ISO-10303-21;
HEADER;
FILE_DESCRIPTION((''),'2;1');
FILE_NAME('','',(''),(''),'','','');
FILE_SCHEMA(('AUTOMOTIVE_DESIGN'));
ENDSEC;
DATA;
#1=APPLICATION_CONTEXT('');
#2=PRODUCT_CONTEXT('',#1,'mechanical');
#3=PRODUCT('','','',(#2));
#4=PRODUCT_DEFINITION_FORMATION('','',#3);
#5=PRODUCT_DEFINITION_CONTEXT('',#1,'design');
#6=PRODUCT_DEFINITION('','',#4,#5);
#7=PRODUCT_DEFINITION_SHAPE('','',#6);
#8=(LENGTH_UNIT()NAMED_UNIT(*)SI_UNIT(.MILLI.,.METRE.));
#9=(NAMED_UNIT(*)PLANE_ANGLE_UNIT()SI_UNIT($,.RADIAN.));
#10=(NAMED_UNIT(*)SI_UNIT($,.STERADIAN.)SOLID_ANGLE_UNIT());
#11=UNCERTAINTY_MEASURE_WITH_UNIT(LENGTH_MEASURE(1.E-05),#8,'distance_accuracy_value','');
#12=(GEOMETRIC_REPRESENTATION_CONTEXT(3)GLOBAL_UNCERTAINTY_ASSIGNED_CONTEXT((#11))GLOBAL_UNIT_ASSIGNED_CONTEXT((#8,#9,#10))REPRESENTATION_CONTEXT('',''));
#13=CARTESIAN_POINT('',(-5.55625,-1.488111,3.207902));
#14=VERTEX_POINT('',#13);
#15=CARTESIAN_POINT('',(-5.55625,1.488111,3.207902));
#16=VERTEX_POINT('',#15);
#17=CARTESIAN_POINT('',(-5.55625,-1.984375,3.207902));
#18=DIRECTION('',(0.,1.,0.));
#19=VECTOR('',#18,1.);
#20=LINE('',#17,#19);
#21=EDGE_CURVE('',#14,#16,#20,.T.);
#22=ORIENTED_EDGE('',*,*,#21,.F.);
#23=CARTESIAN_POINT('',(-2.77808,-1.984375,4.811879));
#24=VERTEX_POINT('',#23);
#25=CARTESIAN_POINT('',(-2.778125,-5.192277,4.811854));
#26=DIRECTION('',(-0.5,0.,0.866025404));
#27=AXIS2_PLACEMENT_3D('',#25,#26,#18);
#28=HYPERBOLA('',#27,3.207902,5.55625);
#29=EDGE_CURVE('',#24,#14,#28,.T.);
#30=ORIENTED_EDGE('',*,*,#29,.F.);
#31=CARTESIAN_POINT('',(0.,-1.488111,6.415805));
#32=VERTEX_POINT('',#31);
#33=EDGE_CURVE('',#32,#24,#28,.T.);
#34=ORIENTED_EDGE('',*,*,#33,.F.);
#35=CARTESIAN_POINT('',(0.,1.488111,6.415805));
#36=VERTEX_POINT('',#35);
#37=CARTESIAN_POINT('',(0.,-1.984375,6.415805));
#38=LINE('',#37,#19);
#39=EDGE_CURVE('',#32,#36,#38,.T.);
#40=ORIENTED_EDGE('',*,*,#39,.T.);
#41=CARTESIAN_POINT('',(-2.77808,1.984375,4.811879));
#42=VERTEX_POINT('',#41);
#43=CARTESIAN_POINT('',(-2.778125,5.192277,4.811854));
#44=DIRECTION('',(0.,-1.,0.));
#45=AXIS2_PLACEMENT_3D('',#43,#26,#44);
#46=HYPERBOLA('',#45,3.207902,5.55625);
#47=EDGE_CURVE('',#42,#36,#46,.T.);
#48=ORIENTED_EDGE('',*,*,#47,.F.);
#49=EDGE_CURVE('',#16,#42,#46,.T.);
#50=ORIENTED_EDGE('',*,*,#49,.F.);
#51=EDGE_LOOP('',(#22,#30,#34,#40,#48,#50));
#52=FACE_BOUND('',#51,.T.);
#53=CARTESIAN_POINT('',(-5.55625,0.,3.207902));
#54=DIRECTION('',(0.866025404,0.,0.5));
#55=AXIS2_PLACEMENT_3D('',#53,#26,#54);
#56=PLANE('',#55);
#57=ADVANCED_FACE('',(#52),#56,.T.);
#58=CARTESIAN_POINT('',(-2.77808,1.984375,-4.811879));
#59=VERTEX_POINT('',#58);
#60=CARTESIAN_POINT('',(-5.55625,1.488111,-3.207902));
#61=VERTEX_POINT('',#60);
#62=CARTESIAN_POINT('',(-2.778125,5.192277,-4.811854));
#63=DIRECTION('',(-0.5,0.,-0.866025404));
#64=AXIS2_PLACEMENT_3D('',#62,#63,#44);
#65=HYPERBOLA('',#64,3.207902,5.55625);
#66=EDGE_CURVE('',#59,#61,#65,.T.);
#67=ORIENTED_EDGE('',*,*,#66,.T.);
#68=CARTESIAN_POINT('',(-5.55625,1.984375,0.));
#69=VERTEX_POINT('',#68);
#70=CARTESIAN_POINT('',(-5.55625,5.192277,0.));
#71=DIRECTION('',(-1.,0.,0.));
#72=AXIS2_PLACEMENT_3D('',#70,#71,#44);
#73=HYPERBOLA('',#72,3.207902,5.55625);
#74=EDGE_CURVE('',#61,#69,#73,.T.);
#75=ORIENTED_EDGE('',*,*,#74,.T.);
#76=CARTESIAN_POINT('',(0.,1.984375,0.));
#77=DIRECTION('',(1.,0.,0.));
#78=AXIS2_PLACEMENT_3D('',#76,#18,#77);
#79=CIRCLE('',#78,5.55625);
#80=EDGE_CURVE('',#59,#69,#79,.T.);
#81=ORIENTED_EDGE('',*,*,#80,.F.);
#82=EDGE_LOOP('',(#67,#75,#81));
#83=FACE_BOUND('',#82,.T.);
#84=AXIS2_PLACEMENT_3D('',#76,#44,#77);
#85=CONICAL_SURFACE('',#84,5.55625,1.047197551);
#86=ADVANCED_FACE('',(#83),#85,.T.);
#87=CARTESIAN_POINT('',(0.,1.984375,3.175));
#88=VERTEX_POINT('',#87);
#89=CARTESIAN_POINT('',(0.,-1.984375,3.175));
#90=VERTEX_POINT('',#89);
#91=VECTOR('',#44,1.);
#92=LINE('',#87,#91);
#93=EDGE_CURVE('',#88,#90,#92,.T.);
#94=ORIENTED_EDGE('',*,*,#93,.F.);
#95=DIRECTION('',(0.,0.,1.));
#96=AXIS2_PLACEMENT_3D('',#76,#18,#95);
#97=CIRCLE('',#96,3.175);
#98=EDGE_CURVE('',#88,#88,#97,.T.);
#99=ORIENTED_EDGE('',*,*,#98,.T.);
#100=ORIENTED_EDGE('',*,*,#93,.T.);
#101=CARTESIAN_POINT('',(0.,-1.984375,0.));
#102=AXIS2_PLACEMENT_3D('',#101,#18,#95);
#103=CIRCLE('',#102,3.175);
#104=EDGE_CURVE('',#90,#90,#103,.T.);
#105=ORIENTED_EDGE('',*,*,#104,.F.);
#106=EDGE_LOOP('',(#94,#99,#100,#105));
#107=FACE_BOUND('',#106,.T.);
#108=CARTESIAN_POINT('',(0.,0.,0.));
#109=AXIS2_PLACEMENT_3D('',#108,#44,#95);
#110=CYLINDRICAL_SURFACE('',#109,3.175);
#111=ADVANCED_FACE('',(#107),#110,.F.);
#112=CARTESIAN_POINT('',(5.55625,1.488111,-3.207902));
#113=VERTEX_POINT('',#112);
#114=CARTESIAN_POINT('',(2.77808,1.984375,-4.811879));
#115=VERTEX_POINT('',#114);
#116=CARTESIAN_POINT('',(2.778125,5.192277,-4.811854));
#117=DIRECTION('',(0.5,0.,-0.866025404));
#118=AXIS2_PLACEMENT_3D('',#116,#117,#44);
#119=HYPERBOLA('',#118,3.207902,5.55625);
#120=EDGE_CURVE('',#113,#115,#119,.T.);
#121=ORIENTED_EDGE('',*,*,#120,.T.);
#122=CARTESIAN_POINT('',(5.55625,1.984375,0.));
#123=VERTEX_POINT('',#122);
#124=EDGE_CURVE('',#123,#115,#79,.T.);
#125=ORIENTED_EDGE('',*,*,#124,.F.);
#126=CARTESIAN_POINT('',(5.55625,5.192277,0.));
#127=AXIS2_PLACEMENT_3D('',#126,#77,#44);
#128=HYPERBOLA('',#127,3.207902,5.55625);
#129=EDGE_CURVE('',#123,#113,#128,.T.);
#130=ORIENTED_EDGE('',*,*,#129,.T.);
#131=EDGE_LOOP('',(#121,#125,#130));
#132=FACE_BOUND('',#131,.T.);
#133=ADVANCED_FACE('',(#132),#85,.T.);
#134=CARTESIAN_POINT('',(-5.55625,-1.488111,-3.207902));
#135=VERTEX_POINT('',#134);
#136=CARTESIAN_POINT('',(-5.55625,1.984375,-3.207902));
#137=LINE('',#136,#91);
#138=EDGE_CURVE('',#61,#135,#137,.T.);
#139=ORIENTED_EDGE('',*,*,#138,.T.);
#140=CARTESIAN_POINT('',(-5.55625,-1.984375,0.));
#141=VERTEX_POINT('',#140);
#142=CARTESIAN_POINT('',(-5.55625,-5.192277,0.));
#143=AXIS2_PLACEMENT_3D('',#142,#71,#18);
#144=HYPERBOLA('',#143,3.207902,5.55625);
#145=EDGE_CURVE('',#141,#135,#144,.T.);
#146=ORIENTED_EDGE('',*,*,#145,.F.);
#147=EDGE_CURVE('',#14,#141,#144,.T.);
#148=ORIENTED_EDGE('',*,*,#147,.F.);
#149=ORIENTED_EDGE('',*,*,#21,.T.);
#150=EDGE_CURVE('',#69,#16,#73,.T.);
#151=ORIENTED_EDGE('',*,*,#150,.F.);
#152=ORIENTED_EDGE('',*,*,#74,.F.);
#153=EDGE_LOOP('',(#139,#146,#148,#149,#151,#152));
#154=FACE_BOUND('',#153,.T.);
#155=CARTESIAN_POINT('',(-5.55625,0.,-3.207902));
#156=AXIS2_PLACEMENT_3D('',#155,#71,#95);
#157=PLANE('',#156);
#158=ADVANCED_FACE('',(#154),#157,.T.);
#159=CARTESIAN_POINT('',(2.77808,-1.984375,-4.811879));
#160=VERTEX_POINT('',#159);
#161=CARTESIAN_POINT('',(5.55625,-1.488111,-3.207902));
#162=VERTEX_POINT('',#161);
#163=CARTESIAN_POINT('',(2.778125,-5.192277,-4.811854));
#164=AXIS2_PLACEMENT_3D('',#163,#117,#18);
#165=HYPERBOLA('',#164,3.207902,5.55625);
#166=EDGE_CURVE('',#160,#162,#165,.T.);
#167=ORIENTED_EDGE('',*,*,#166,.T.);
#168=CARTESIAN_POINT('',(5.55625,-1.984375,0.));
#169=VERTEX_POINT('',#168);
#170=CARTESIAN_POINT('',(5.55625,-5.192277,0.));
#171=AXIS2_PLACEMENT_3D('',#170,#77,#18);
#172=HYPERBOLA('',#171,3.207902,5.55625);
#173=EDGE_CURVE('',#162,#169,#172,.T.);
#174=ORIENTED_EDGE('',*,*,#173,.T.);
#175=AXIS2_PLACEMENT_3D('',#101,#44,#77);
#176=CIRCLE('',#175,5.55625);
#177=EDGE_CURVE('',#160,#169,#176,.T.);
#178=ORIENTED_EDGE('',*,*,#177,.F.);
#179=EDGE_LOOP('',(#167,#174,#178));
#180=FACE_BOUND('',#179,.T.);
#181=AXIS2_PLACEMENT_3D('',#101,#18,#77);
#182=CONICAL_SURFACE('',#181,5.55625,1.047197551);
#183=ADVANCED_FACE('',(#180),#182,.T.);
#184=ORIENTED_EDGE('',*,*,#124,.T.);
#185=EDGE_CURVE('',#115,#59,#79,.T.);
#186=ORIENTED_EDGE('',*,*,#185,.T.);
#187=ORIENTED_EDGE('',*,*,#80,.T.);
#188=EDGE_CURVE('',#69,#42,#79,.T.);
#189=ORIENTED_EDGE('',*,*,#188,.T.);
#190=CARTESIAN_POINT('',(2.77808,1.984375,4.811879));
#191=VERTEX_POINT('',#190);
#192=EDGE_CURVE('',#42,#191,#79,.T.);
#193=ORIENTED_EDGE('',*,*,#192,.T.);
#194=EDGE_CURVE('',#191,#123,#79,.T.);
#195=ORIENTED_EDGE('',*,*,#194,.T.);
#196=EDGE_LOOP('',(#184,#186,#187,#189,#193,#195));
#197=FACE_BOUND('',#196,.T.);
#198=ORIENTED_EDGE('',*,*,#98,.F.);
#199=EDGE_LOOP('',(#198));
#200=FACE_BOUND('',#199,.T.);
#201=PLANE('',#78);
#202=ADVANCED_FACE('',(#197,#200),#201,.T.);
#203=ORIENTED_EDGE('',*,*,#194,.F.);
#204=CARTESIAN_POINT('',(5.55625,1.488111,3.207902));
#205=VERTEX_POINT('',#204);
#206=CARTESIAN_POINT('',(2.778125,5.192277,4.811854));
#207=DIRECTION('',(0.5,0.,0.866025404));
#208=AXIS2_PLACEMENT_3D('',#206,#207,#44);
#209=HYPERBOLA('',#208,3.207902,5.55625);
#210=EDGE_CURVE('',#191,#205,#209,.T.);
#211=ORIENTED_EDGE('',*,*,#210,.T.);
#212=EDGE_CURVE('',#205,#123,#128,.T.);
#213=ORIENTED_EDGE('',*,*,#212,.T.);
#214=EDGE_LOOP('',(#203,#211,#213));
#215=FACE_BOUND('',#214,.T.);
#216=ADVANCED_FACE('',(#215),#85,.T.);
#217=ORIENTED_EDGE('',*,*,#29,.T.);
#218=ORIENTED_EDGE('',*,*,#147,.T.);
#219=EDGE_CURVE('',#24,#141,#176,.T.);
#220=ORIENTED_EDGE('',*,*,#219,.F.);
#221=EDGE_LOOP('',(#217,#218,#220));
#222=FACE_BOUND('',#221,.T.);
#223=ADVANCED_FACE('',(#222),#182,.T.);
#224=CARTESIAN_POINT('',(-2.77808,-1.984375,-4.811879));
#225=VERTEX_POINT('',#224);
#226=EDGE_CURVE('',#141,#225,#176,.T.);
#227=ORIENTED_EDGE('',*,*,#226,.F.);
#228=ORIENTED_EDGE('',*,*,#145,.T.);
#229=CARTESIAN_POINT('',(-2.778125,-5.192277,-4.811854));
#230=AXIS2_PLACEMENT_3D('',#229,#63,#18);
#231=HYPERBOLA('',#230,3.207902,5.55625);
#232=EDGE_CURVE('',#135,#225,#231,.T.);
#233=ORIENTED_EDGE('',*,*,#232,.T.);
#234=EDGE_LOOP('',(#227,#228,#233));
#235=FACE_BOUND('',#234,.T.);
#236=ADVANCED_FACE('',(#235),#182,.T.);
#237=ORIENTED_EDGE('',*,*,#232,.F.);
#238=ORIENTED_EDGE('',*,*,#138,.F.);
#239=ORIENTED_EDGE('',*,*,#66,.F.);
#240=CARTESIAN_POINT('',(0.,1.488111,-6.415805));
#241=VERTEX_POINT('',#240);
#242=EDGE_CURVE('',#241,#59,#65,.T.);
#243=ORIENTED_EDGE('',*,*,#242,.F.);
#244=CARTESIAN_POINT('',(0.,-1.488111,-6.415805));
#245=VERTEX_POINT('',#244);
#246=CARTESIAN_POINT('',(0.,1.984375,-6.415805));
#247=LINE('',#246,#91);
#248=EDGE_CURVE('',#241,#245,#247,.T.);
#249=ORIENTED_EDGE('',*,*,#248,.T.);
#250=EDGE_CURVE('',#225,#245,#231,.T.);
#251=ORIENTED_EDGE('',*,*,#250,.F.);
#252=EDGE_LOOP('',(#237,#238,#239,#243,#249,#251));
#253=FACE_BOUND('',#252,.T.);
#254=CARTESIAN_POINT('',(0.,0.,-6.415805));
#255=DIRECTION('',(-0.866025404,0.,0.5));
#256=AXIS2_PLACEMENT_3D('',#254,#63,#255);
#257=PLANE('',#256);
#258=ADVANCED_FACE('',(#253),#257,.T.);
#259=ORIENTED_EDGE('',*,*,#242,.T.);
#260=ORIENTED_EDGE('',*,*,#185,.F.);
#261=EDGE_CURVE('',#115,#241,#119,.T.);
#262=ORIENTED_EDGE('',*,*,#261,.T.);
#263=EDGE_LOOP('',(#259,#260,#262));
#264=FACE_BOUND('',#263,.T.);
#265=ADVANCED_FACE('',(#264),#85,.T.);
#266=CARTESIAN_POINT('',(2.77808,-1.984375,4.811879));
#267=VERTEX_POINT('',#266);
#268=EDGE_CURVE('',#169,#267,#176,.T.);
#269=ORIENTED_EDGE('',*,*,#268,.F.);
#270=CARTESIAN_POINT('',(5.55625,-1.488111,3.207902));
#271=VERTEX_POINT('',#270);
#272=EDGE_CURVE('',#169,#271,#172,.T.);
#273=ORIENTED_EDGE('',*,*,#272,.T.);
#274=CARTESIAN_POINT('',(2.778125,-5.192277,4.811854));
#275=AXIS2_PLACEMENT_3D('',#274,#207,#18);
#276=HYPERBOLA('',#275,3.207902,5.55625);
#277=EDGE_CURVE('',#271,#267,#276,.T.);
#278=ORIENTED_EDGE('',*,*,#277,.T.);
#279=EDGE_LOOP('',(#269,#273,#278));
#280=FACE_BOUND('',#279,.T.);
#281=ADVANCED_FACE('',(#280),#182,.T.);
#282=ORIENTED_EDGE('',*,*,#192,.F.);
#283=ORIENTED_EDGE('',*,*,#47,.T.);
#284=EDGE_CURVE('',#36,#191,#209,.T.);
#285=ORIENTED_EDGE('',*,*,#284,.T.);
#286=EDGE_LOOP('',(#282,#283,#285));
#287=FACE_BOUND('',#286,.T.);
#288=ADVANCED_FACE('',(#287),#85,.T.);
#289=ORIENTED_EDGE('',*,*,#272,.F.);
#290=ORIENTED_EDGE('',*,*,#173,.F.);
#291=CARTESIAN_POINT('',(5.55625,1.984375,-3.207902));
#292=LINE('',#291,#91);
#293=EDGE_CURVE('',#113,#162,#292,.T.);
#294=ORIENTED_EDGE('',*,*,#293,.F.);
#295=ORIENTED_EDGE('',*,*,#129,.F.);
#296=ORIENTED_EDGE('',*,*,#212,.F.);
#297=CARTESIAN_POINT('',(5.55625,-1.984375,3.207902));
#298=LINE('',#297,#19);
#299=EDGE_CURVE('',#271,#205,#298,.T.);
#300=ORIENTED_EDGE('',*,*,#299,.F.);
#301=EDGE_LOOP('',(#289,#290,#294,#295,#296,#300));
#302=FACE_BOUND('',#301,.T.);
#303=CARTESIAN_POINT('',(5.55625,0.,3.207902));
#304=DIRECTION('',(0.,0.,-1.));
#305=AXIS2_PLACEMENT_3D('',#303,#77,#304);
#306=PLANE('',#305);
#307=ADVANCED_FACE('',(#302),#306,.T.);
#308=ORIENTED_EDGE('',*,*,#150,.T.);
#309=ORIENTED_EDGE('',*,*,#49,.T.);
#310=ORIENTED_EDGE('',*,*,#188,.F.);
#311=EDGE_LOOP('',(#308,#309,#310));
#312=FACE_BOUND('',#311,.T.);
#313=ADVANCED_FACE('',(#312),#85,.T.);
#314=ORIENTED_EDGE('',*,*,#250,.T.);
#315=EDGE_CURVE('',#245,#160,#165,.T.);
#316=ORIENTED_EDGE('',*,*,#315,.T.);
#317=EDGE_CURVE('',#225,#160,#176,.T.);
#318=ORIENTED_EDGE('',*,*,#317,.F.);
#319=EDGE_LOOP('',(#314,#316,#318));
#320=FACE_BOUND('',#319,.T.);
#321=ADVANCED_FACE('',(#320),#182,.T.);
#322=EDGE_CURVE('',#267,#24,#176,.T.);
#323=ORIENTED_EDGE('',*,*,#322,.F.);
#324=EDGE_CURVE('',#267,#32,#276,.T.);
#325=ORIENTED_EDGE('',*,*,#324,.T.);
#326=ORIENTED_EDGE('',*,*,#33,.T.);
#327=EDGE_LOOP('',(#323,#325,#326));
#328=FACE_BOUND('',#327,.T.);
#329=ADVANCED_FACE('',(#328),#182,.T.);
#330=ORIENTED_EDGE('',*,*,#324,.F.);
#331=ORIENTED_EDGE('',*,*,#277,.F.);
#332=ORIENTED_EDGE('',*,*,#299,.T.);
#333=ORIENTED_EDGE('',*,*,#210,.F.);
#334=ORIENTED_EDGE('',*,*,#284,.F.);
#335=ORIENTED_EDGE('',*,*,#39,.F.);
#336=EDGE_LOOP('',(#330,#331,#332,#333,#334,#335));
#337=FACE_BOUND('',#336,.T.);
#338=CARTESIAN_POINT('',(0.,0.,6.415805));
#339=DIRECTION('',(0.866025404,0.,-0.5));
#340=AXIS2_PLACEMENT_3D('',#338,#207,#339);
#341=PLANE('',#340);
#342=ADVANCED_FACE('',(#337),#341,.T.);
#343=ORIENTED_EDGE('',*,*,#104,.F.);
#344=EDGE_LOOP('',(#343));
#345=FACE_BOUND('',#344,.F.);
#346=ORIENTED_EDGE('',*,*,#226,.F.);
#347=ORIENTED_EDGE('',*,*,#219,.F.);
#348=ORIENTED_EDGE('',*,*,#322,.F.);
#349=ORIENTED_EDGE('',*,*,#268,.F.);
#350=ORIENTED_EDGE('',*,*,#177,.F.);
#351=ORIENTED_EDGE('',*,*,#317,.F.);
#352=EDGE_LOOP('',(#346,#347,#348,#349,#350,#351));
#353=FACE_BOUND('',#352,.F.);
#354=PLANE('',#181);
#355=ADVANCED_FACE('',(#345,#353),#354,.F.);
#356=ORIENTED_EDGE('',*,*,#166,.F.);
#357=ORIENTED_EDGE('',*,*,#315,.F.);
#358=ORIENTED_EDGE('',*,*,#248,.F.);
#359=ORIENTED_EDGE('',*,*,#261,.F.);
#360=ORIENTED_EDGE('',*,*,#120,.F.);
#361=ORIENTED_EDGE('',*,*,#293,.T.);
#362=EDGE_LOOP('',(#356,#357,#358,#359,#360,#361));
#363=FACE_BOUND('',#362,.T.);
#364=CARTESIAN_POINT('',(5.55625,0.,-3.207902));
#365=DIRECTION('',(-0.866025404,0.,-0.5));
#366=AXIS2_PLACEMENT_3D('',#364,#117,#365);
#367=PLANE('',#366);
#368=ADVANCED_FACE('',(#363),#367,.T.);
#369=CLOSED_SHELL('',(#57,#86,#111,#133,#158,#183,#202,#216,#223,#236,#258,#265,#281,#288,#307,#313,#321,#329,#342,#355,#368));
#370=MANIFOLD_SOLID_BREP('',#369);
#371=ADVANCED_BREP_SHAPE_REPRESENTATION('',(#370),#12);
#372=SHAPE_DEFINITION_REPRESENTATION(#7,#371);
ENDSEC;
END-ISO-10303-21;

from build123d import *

# Parameters (mm, degrees)
SKETCH1_R               = 3.175
BOSS_EXTRUDE1_DEPTH     = 1.984375
SKETCH5_OUTSIDE_W       = 52.52
SKETCH5_OUTSIDE_H       = 54.24
SKETCH5_OUTSIDE_R       = 5.55625
CUT_EXTRUDE2_DEPTH      = 10.369388598
CUT_EXTRUDE2_DRAFT      = -60
MIRROR1_COPY_1_SKETCH_W = 52.52
MIRROR1_COPY_1_SKETCH_H = 54.24
MIRROR1_COPY_1_SKETCH_R = 5.55625
MIRROR1_COPY_1_DEPTH    = 10.369388598
MIRROR1_COPY_1_DRAFT    = -60


with BuildPart() as part:
    # Sketch1 → Boss-Extrude1 (new, symmetric)
    with BuildSketch(Plane(origin=(0, 0, 0), x_dir=(1, 0, 0), z_dir=(0, 1, 0))):
        Polygon((-5.55625, 3.207902433), (-5.55625, -3.207902433), (0, -6.415804866), (5.55625, -3.207902433), (5.55625, 3.207902433), (0, 6.415804866), align=None)
        Circle(SKETCH1_R, mode=Mode.SUBTRACT)
    extrude(amount=BOSS_EXTRUDE1_DEPTH, both=True)


with BuildPart() as cut_extrude2_tool:
    # Sketch5 outside → Cut-Extrude2 (with draft: the straight prism first)
    with BuildSketch(Plane(origin=(0, 1.984375, 0), x_dir=(1, 0, 0), z_dir=(0, 1, 0))):
        Rectangle(SKETCH5_OUTSIDE_W, SKETCH5_OUTSIDE_H)
        Circle(SKETCH5_OUTSIDE_R, mode=Mode.SUBTRACT)
    extrude(amount=-CUT_EXTRUDE2_DEPTH)
    # Cut-Extrude2: the draft: its side faces are tilted about the plane it starts from
    cut_extrude2_sides = [cut_extrude2_tool.faces().sort_by_distance(p)[0] for p in [
        (0, -3.200319299, 27.12),
        (26.26, -3.200319299, 0),
        (0, -3.200319299, -27.12),
        (-26.26, -3.200319299, 0),
        (-5.55625, -3.200319299, 0),
    ]]
    draft(cut_extrude2_sides, Plane(origin=(0, 1.984375, 0), x_dir=(1, 0, 0), z_dir=(0, 1, 0)), CUT_EXTRUDE2_DRAFT)


with BuildPart() as part_1:
    add(part.part)

    # Cut-Extrude2: cut by cut_extrude2_tool
    add(cut_extrude2_tool.part, mode=Mode.SUBTRACT)


with BuildPart() as mirror1_copy_1_tool:
    # Mirror1 copy 1 sketch → Mirror1 copy 1 (with draft: the straight prism first)
    with BuildSketch(Plane.XZ.offset(1.984375)):
        Rectangle(MIRROR1_COPY_1_SKETCH_W, MIRROR1_COPY_1_SKETCH_H)
        Circle(MIRROR1_COPY_1_SKETCH_R, mode=Mode.SUBTRACT)
    extrude(amount=-MIRROR1_COPY_1_DEPTH)
    # Mirror1 copy 1: the draft: its side faces are tilted about the plane it starts from
    mirror1_copy_1_sides = [mirror1_copy_1_tool.faces().sort_by_distance(p)[0] for p in [
        (0, 3.200319299, 27.12),
        (26.26, 3.200319299, 0),
        (0, 3.200319299, -27.12),
        (-26.26, 3.200319299, 0),
        (-5.55625, 3.200319299, 0),
    ]]
    draft(mirror1_copy_1_sides, Plane.XZ.offset(1.984375), MIRROR1_COPY_1_DRAFT)


with BuildPart() as part_2:
    add(part_1.part)

    # Mirror1 copy 1: cut by mirror1_copy_1_tool
    add(mirror1_copy_1_tool.part, mode=Mode.SUBTRACT)


solid = part_2.part
